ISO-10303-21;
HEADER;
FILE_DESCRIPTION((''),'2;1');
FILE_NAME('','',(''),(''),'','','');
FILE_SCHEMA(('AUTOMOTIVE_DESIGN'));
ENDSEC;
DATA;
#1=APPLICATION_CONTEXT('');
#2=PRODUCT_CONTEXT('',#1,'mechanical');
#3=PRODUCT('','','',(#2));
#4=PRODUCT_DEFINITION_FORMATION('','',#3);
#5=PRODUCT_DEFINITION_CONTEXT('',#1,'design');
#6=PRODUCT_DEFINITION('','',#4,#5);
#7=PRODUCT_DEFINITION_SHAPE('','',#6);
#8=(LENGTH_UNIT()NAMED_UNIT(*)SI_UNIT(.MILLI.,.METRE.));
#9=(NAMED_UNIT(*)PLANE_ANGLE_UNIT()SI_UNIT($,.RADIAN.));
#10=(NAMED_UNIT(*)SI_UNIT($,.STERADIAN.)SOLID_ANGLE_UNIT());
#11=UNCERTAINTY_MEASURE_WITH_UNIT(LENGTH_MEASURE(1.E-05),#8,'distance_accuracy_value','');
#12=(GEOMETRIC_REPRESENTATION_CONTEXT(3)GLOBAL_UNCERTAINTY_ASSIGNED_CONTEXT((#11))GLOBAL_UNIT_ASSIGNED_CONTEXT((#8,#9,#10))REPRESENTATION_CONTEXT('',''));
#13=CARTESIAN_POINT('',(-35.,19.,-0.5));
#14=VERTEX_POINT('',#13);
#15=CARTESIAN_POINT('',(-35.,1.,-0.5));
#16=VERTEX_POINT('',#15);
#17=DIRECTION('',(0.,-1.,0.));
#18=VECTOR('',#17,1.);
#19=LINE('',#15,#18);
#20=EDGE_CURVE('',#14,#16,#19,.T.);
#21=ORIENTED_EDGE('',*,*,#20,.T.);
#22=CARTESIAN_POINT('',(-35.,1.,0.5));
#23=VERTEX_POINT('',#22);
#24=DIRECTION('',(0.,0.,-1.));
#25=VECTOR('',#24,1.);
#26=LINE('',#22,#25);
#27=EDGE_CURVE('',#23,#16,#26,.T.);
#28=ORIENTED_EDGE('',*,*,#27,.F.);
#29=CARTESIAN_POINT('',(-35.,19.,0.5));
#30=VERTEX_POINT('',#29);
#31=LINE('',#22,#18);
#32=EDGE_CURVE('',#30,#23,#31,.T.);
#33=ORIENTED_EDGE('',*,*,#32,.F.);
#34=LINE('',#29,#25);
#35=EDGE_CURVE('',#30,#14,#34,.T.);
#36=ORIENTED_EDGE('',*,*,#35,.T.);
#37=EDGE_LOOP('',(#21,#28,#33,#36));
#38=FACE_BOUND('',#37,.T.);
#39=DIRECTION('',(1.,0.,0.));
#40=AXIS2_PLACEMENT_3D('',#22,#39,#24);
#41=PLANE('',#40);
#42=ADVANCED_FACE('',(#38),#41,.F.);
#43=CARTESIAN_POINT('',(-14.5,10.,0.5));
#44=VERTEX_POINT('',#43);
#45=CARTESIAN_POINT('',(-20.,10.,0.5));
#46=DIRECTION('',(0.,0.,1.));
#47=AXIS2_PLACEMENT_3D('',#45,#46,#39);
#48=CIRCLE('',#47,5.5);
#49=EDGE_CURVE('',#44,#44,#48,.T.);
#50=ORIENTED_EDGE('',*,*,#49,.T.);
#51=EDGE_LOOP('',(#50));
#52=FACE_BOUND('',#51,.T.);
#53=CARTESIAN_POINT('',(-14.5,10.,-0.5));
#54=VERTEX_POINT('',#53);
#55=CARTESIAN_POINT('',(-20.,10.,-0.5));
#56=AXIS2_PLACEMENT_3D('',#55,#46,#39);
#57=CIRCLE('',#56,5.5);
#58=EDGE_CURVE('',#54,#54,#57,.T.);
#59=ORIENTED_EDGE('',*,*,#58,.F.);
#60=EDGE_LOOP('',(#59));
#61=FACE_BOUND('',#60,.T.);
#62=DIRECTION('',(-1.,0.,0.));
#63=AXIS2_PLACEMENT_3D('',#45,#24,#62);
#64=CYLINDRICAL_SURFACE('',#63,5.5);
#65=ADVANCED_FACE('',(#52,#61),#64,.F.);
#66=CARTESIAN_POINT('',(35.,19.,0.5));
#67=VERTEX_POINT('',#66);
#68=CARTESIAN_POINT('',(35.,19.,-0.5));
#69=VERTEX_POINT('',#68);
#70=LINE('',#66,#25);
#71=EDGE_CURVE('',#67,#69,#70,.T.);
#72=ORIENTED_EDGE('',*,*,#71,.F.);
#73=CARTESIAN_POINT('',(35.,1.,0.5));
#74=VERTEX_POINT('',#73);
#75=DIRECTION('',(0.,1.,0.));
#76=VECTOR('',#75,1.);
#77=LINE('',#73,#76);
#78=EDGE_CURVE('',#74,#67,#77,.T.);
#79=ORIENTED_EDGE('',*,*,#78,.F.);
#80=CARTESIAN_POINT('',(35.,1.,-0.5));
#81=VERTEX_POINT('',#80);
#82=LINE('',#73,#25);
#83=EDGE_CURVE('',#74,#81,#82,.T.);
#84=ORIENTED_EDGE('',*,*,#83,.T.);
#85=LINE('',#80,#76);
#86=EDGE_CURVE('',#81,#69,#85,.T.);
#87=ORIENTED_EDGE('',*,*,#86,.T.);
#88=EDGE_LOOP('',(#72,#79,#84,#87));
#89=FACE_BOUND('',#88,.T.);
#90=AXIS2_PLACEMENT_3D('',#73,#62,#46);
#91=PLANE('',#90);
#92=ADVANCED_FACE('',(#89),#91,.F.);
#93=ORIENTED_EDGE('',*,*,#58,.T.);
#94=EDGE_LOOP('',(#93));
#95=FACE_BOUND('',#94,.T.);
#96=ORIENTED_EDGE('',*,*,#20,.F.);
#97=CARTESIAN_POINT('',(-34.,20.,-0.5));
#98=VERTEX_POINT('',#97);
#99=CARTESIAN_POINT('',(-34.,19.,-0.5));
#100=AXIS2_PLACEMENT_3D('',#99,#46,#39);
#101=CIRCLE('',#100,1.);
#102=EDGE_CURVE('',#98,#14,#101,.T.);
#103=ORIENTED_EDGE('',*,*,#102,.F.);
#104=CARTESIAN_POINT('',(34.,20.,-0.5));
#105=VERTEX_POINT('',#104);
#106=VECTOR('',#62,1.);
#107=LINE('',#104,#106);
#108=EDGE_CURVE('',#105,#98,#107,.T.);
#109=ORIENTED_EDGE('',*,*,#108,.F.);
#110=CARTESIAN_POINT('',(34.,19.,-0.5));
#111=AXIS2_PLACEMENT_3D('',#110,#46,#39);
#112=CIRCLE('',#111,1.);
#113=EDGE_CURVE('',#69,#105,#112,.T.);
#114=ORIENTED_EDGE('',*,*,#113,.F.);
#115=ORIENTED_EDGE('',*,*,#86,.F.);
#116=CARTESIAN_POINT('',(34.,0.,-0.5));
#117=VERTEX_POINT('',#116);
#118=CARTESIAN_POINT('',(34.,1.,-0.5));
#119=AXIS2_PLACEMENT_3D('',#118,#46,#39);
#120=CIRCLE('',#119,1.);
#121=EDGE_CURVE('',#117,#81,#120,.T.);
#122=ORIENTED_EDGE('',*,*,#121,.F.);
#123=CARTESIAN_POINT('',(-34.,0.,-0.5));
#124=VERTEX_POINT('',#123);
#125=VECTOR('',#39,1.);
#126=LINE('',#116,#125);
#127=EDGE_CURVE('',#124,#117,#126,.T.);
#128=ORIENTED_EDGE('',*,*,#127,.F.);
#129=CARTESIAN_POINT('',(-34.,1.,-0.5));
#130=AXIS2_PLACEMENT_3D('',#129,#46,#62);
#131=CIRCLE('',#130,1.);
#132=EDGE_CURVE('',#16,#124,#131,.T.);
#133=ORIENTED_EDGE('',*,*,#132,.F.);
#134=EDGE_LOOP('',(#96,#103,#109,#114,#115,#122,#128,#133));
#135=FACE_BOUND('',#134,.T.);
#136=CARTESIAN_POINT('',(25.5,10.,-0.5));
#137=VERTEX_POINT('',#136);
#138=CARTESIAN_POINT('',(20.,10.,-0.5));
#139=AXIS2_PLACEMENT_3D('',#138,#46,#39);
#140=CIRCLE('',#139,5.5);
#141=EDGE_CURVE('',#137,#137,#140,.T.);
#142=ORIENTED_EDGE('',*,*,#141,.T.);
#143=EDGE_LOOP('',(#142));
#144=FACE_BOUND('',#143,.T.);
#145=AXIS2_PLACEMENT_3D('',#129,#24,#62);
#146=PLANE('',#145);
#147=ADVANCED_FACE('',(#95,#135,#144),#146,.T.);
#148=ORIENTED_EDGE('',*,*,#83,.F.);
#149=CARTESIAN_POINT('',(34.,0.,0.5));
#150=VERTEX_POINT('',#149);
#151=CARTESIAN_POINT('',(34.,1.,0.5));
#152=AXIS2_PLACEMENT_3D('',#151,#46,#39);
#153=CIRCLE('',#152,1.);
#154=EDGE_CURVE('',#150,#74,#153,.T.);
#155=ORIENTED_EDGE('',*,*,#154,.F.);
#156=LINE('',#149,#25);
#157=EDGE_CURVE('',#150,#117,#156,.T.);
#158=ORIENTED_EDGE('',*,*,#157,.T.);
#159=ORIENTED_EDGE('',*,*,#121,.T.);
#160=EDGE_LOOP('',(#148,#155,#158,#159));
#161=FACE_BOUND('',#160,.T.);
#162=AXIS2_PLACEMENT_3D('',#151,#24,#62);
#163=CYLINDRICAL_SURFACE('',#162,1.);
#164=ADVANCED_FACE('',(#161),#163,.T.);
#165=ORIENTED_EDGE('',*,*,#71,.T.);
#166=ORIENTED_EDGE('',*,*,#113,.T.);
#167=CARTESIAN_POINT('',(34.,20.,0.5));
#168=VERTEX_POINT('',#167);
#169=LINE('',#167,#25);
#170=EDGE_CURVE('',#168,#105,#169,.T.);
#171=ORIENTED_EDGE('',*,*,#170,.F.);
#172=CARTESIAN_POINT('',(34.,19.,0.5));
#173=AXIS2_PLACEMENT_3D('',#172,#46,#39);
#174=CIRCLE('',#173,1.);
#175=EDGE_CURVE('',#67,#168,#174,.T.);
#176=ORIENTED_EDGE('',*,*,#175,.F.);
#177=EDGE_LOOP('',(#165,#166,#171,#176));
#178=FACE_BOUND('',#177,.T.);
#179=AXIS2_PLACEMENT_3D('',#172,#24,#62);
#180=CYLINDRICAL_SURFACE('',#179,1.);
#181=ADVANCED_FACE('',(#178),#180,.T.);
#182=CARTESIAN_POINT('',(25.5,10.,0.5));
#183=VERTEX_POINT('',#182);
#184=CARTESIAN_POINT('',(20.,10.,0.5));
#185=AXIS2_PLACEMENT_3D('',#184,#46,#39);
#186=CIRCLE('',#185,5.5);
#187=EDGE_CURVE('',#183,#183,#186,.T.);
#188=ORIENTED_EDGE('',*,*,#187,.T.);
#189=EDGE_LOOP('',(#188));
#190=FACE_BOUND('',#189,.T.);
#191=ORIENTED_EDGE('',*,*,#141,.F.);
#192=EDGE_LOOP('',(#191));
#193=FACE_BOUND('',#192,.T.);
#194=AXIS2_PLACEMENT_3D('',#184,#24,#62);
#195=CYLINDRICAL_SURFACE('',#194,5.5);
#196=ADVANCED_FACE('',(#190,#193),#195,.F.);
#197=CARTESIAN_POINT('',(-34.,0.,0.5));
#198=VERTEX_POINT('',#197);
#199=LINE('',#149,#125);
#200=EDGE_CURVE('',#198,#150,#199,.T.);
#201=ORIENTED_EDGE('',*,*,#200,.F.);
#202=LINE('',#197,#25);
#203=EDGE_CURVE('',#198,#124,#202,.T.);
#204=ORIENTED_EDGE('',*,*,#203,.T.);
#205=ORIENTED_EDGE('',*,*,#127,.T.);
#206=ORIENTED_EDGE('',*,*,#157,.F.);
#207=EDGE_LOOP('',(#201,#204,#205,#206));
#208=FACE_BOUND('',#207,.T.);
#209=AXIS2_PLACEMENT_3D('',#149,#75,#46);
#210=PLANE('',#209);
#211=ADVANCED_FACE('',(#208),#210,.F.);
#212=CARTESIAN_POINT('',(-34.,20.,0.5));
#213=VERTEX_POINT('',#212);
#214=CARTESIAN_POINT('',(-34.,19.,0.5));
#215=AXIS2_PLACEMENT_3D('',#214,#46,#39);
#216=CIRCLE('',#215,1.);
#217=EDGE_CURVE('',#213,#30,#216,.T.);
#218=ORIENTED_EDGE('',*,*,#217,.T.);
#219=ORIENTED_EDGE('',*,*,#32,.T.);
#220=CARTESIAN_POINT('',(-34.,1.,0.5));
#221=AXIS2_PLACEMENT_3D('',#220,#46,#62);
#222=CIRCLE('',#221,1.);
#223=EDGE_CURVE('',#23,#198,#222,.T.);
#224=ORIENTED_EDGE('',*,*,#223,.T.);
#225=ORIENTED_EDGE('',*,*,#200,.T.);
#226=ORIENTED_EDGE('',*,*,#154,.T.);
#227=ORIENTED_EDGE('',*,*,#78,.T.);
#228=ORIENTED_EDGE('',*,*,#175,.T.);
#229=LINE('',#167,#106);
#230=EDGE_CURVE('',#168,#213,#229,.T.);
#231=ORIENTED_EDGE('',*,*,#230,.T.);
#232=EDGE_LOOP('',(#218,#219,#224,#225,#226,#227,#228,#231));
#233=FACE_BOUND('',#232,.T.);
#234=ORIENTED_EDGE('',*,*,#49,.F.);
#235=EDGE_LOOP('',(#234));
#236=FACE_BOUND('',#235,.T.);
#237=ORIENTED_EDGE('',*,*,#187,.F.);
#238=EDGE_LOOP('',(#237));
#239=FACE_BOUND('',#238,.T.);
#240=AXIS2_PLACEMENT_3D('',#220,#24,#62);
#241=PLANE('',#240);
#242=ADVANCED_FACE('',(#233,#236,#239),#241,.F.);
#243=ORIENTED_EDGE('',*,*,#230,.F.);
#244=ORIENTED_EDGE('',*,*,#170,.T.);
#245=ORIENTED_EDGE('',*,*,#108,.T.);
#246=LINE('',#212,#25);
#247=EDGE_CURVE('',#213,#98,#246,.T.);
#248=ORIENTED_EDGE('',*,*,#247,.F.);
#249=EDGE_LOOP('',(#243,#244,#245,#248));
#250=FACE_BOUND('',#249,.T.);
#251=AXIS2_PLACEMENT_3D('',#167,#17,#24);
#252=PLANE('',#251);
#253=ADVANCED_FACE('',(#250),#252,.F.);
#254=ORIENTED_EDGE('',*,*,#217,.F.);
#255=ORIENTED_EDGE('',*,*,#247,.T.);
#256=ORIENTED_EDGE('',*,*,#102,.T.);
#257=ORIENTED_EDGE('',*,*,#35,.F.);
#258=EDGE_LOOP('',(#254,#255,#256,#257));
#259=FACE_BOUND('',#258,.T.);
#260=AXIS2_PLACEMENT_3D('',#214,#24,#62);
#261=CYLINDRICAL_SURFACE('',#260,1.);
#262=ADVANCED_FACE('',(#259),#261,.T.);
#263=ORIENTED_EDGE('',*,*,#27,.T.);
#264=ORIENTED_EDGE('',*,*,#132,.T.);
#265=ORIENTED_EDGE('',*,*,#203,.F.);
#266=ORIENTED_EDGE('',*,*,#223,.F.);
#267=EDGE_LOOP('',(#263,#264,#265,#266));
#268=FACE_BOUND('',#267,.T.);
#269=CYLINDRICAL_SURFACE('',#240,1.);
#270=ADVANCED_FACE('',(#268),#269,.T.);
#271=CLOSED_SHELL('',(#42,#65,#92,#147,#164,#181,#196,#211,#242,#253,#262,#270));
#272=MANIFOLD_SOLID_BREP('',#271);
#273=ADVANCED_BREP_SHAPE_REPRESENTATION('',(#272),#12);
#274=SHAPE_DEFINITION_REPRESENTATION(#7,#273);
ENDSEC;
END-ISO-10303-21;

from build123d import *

# Parameters (mm, degrees)
SKETCH3_R      = 5.5
EXTRUDE2_DEPTH = 0.5


with BuildPart() as part:
    # Sketch3 → Extrude2 (new body, symmetric)
    with BuildSketch(Plane.XY):
        with BuildLine():
            Line((34, 0), (-34, 0))
            ThreePointArc((-34, 0), (-34.707106781, 0.292893219), (-35, 1))
            Line((-35, 1), (-35, 19))
            ThreePointArc((-35, 19), (-34.707106781, 19.707106781), (-34, 20))
            Line((-34, 20), (34, 20))
            ThreePointArc((34, 20), (34.707106781, 19.707106781), (35, 19))
            Line((35, 19), (35, 1))
            ThreePointArc((35, 1), (34.707106781, 0.292893219), (34, 0))
        make_face()
        with Locations((-20, 10)):
            Circle(SKETCH3_R, mode=Mode.SUBTRACT)
        with Locations((20, 10)):
            Circle(SKETCH3_R, mode=Mode.SUBTRACT)
    extrude(amount=EXTRUDE2_DEPTH, both=True)


solid = part.part
